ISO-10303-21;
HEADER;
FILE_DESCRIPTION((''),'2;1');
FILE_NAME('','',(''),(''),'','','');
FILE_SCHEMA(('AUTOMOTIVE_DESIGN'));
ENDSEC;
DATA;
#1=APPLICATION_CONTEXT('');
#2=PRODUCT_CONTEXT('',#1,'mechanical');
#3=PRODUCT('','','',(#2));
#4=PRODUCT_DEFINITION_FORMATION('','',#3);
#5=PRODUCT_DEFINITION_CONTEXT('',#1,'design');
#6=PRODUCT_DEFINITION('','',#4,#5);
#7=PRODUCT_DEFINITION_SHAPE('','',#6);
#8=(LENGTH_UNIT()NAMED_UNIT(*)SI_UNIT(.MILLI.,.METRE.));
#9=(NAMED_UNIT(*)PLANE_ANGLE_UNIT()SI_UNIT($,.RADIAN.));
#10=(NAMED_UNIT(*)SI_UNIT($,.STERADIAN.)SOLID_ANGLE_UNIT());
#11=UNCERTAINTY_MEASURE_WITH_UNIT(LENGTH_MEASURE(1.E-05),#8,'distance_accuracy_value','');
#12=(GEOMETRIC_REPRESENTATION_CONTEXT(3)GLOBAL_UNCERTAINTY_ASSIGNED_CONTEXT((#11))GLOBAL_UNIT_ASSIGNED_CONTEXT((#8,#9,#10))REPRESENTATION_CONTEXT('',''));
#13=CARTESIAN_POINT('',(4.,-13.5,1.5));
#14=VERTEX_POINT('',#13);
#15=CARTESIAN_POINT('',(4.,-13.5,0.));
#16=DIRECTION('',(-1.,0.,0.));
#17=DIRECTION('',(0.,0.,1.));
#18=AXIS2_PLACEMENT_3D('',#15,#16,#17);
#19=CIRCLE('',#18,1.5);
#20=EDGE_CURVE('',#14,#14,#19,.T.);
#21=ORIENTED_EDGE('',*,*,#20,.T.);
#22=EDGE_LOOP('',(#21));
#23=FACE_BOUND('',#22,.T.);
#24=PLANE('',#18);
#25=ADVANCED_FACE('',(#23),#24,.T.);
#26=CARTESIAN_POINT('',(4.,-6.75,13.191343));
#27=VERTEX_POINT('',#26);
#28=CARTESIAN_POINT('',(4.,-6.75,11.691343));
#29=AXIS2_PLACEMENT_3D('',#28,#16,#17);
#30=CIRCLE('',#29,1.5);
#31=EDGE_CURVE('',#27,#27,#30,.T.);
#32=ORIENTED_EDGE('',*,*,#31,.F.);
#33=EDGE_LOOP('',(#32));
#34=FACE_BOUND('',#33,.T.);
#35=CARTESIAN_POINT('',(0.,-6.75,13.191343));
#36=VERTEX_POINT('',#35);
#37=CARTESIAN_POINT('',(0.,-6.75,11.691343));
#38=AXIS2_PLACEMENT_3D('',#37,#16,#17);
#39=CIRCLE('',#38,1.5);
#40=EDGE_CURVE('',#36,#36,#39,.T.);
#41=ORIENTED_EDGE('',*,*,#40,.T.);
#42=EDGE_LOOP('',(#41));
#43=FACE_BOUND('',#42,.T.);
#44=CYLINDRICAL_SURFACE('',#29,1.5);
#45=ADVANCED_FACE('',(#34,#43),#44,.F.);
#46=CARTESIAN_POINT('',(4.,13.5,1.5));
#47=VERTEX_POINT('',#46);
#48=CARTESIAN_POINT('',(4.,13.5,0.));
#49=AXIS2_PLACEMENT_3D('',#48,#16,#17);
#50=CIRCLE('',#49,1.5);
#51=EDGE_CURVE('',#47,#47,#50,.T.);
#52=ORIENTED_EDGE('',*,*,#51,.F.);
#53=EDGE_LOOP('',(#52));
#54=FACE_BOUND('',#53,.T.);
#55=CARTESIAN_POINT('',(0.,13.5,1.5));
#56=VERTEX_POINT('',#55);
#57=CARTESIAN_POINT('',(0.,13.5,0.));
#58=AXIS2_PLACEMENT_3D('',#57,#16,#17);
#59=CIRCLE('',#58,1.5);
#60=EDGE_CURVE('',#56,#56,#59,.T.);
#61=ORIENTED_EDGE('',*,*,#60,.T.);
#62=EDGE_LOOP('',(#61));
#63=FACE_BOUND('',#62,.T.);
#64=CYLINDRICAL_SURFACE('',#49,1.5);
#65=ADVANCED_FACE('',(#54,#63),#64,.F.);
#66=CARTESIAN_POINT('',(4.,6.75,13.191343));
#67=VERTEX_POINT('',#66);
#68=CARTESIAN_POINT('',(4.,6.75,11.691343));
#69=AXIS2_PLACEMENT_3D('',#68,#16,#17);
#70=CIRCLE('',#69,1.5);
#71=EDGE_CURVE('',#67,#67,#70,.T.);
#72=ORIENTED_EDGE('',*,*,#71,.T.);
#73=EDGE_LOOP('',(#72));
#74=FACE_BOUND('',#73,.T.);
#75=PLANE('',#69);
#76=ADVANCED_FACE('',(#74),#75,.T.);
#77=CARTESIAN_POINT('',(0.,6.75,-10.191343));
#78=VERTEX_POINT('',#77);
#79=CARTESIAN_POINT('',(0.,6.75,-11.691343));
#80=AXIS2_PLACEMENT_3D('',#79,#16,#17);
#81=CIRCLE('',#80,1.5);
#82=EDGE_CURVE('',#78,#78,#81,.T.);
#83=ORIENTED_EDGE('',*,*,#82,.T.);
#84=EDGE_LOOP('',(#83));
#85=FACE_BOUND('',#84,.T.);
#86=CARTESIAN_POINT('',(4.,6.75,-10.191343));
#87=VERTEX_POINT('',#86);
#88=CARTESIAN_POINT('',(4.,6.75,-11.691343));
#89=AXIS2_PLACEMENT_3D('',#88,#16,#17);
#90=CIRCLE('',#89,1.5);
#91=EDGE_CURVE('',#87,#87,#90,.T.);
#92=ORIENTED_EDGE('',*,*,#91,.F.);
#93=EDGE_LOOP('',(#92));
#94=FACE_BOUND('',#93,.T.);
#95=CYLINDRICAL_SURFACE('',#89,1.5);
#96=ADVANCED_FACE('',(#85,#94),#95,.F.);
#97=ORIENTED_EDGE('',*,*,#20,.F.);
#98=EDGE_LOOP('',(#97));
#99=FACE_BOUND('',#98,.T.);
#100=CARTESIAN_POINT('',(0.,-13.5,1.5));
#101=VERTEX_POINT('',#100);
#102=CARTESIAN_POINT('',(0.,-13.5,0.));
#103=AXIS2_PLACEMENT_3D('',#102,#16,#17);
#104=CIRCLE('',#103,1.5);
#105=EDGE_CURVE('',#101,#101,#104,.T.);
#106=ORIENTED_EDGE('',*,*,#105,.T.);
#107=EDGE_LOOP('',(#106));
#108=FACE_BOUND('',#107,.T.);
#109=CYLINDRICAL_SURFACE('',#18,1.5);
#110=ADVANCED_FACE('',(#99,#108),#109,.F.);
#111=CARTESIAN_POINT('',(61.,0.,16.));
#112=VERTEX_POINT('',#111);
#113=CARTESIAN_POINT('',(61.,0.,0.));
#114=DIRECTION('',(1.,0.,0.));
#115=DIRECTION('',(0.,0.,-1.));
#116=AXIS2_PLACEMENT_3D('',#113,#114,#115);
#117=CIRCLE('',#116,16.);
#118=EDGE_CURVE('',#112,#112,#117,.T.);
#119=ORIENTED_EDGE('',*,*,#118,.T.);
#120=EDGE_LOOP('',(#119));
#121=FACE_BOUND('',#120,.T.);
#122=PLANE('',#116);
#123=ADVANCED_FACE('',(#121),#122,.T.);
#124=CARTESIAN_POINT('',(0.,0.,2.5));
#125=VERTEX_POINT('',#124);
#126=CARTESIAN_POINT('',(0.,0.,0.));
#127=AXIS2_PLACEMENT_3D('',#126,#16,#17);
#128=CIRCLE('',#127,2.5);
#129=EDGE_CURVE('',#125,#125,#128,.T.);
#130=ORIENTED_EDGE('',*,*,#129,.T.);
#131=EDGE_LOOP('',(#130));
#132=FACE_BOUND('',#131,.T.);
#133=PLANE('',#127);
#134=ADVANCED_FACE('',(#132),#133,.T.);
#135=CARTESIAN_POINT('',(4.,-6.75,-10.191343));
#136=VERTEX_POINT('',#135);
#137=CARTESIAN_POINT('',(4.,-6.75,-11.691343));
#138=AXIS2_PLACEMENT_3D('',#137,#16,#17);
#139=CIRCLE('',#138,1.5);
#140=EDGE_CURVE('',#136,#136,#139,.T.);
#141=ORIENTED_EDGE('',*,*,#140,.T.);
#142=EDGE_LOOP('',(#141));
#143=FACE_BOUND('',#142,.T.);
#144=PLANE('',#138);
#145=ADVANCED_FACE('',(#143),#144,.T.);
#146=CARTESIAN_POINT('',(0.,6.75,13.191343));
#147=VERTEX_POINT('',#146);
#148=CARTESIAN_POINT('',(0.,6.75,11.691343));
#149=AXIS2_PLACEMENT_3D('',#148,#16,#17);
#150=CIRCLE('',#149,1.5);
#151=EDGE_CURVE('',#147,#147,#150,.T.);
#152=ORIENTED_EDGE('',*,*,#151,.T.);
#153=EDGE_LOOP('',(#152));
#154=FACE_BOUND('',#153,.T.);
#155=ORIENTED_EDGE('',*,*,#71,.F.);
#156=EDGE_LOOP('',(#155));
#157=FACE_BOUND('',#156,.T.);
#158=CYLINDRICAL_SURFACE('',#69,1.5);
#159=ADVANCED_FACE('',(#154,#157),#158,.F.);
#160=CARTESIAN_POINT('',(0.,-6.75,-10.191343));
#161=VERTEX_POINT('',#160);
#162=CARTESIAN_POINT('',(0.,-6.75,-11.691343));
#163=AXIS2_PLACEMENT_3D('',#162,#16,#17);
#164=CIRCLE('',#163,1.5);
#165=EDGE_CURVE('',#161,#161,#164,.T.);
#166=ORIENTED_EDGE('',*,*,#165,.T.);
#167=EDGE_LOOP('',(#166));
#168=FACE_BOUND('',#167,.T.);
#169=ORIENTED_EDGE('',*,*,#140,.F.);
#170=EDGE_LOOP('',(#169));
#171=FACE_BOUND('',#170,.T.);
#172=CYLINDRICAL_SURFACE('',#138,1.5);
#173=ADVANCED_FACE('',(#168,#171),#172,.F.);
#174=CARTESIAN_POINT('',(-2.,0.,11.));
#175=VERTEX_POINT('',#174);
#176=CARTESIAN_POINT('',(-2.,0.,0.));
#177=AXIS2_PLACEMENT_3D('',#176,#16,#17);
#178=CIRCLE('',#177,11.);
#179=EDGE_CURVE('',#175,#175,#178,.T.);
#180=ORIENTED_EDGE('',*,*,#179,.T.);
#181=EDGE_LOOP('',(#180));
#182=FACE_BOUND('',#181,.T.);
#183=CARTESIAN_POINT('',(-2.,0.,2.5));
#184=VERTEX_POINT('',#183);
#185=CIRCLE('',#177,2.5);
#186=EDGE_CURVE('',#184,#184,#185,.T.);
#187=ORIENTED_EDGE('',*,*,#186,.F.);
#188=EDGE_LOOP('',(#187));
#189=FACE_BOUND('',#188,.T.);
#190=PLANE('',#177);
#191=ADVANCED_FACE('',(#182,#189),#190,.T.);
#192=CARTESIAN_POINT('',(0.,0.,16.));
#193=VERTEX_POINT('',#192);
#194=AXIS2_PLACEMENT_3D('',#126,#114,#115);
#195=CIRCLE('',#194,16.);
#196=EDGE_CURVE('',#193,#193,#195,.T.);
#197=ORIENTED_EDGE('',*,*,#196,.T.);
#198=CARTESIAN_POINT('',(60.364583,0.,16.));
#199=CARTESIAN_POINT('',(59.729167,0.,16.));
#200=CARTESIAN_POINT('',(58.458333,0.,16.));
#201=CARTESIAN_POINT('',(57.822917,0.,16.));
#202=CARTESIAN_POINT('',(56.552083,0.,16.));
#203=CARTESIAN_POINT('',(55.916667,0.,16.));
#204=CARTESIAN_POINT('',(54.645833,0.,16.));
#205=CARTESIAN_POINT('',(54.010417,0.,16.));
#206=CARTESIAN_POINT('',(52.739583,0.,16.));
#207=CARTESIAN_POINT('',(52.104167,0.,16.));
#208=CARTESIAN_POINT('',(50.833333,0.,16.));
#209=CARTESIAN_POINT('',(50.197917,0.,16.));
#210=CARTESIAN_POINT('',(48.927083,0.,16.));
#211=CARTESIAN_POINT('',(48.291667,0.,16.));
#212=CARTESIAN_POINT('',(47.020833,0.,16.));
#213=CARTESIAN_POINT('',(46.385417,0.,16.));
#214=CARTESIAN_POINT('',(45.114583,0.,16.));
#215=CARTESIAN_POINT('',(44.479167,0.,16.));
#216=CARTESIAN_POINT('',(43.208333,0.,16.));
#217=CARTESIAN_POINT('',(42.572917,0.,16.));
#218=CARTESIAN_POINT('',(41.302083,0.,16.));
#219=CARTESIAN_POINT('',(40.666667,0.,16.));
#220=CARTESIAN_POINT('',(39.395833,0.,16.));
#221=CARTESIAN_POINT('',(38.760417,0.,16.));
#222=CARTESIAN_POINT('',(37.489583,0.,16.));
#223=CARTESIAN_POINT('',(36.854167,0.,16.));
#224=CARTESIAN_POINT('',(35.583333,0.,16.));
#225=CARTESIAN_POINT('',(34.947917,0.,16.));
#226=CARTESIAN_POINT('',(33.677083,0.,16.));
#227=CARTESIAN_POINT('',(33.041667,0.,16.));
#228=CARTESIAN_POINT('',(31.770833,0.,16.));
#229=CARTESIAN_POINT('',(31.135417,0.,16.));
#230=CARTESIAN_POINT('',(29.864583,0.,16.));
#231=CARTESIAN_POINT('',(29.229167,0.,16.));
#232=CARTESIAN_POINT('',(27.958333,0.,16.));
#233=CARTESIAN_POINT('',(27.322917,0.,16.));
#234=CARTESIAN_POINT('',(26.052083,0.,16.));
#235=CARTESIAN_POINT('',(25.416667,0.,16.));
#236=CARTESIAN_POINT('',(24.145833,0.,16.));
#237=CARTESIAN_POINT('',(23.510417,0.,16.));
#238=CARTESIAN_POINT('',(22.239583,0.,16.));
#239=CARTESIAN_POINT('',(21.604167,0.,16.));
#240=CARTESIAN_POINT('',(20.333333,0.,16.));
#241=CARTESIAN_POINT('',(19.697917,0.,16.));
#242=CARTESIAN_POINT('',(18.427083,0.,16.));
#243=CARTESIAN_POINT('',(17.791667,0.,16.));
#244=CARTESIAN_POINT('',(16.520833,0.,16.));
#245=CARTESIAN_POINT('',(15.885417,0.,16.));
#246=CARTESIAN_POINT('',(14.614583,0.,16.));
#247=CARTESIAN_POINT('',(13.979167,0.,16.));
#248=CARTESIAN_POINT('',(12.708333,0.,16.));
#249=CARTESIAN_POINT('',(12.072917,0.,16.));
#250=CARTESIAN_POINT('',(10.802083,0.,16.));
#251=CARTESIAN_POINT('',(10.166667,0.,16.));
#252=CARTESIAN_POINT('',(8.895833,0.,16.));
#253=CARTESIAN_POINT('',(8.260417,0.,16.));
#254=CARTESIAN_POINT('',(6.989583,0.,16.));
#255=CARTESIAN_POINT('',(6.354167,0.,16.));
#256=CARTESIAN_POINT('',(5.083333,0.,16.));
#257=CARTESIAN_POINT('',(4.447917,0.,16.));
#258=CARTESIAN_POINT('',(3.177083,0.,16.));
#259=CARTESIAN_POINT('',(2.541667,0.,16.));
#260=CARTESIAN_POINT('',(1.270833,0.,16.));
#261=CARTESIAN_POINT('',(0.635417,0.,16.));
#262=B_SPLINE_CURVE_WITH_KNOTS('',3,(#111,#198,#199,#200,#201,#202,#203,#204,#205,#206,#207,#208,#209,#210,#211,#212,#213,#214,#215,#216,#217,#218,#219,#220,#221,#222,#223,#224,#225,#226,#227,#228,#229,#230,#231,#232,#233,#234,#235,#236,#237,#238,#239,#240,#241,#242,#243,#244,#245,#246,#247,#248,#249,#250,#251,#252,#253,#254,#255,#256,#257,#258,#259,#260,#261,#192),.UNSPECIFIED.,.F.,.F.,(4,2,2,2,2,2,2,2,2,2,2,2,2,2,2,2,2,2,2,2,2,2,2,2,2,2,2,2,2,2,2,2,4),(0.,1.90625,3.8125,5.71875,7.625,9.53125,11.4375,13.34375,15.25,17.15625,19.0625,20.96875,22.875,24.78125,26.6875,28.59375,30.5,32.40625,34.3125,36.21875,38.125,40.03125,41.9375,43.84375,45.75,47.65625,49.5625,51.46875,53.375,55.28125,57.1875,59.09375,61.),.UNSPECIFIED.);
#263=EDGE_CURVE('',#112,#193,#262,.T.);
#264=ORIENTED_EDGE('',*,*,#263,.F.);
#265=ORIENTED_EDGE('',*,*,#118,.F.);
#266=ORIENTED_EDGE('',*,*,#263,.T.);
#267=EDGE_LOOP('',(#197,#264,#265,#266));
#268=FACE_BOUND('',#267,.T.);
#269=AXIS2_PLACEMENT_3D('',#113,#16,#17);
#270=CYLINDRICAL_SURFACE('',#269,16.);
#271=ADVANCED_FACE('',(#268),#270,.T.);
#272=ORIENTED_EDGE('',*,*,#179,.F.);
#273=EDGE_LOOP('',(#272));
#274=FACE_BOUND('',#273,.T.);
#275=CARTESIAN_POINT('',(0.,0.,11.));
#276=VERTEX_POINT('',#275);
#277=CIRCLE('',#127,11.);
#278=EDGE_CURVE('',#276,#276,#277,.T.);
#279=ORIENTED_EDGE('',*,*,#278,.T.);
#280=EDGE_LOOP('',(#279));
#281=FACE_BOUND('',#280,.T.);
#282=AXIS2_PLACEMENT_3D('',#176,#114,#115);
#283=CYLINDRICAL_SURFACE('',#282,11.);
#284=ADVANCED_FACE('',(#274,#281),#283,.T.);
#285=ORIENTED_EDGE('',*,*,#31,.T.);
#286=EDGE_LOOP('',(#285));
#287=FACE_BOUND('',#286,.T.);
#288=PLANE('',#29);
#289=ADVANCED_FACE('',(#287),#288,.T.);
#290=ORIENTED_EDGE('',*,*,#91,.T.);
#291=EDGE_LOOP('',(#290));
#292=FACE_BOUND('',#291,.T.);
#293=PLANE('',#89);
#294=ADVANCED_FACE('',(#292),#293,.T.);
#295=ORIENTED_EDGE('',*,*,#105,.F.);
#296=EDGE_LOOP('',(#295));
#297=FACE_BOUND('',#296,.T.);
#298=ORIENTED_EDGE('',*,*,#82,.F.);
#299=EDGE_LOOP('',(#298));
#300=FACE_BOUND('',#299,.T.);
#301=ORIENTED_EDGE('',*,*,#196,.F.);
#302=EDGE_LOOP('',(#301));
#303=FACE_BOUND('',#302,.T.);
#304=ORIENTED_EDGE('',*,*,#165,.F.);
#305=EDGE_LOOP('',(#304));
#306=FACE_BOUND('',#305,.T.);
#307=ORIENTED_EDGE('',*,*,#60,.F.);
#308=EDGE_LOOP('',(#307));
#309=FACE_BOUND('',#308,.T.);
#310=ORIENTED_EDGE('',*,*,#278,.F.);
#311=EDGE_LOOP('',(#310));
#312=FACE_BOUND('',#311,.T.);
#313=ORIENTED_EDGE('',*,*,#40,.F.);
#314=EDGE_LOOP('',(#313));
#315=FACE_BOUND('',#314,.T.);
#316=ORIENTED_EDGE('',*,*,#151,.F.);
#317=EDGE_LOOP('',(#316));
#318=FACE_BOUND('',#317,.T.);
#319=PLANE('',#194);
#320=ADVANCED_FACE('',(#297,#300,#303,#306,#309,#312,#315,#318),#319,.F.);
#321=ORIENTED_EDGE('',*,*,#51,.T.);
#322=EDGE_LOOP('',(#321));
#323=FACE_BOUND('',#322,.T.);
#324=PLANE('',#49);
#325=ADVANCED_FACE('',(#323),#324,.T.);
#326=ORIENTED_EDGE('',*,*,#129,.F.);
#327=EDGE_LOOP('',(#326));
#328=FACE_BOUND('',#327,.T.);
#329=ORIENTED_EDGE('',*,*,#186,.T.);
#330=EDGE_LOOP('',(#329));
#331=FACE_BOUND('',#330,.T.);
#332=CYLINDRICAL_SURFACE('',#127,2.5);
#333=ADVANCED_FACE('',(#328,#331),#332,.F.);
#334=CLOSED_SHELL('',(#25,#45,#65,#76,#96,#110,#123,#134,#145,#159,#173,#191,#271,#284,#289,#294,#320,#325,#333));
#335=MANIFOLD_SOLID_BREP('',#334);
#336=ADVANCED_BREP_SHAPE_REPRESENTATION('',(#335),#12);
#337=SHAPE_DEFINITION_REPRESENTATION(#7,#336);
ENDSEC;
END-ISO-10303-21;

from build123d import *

# Parameters (mm, degrees)
SKETCH1_R           = 16
BOSS_EXTRUDE1_DEPTH = 61
SKETCH2_R           = 11
BOSS_EXTRUDE2_DEPTH = 2
SKETCH3_R           = 1.5
CUT_EXTRUDE1_DEPTH  = 4
SKETCH4_R           = 2.5
CUT_EXTRUDE2_DEPTH  = 2


with BuildPart() as part:
    # Sketch1 → Boss-Extrude1 (new body)
    with BuildSketch(Plane(origin=(0, 0, 0), x_dir=(0, 0, -1), z_dir=(1, 0, 0))):
        with Locations(Location((0, 0, 0), (0, 0, 180))):
            Circle(SKETCH1_R)
    extrude(amount=BOSS_EXTRUDE1_DEPTH)

    # Sketch2 → Boss-Extrude2 (add)
    with BuildSketch(Plane.ZY):
        Circle(SKETCH2_R)
    extrude(amount=BOSS_EXTRUDE2_DEPTH)

    # Sketch3 → Cut-Extrude1 (cut)
    with BuildSketch(Plane.ZY):
        with Locations((0, 13.5)):
            Circle(SKETCH3_R)
        with Locations((11.691342951, 6.75)):
            Circle(SKETCH3_R)
        with Locations((11.691342951, -6.75)):
            Circle(SKETCH3_R)
        with Locations((0, -13.5)):
            Circle(SKETCH3_R)
        with Locations((-11.691342951, -6.75)):
            Circle(SKETCH3_R)
        with Locations((-11.691342951, 6.75)):
            Circle(SKETCH3_R)
    extrude(amount=-CUT_EXTRUDE1_DEPTH, mode=Mode.SUBTRACT)

    # Sketch4 → Cut-Extrude2 (cut)
    with BuildSketch(Plane.ZY.offset(2)):
        Circle(SKETCH4_R)
    extrude(amount=-CUT_EXTRUDE2_DEPTH, mode=Mode.SUBTRACT)


solid = part.part
